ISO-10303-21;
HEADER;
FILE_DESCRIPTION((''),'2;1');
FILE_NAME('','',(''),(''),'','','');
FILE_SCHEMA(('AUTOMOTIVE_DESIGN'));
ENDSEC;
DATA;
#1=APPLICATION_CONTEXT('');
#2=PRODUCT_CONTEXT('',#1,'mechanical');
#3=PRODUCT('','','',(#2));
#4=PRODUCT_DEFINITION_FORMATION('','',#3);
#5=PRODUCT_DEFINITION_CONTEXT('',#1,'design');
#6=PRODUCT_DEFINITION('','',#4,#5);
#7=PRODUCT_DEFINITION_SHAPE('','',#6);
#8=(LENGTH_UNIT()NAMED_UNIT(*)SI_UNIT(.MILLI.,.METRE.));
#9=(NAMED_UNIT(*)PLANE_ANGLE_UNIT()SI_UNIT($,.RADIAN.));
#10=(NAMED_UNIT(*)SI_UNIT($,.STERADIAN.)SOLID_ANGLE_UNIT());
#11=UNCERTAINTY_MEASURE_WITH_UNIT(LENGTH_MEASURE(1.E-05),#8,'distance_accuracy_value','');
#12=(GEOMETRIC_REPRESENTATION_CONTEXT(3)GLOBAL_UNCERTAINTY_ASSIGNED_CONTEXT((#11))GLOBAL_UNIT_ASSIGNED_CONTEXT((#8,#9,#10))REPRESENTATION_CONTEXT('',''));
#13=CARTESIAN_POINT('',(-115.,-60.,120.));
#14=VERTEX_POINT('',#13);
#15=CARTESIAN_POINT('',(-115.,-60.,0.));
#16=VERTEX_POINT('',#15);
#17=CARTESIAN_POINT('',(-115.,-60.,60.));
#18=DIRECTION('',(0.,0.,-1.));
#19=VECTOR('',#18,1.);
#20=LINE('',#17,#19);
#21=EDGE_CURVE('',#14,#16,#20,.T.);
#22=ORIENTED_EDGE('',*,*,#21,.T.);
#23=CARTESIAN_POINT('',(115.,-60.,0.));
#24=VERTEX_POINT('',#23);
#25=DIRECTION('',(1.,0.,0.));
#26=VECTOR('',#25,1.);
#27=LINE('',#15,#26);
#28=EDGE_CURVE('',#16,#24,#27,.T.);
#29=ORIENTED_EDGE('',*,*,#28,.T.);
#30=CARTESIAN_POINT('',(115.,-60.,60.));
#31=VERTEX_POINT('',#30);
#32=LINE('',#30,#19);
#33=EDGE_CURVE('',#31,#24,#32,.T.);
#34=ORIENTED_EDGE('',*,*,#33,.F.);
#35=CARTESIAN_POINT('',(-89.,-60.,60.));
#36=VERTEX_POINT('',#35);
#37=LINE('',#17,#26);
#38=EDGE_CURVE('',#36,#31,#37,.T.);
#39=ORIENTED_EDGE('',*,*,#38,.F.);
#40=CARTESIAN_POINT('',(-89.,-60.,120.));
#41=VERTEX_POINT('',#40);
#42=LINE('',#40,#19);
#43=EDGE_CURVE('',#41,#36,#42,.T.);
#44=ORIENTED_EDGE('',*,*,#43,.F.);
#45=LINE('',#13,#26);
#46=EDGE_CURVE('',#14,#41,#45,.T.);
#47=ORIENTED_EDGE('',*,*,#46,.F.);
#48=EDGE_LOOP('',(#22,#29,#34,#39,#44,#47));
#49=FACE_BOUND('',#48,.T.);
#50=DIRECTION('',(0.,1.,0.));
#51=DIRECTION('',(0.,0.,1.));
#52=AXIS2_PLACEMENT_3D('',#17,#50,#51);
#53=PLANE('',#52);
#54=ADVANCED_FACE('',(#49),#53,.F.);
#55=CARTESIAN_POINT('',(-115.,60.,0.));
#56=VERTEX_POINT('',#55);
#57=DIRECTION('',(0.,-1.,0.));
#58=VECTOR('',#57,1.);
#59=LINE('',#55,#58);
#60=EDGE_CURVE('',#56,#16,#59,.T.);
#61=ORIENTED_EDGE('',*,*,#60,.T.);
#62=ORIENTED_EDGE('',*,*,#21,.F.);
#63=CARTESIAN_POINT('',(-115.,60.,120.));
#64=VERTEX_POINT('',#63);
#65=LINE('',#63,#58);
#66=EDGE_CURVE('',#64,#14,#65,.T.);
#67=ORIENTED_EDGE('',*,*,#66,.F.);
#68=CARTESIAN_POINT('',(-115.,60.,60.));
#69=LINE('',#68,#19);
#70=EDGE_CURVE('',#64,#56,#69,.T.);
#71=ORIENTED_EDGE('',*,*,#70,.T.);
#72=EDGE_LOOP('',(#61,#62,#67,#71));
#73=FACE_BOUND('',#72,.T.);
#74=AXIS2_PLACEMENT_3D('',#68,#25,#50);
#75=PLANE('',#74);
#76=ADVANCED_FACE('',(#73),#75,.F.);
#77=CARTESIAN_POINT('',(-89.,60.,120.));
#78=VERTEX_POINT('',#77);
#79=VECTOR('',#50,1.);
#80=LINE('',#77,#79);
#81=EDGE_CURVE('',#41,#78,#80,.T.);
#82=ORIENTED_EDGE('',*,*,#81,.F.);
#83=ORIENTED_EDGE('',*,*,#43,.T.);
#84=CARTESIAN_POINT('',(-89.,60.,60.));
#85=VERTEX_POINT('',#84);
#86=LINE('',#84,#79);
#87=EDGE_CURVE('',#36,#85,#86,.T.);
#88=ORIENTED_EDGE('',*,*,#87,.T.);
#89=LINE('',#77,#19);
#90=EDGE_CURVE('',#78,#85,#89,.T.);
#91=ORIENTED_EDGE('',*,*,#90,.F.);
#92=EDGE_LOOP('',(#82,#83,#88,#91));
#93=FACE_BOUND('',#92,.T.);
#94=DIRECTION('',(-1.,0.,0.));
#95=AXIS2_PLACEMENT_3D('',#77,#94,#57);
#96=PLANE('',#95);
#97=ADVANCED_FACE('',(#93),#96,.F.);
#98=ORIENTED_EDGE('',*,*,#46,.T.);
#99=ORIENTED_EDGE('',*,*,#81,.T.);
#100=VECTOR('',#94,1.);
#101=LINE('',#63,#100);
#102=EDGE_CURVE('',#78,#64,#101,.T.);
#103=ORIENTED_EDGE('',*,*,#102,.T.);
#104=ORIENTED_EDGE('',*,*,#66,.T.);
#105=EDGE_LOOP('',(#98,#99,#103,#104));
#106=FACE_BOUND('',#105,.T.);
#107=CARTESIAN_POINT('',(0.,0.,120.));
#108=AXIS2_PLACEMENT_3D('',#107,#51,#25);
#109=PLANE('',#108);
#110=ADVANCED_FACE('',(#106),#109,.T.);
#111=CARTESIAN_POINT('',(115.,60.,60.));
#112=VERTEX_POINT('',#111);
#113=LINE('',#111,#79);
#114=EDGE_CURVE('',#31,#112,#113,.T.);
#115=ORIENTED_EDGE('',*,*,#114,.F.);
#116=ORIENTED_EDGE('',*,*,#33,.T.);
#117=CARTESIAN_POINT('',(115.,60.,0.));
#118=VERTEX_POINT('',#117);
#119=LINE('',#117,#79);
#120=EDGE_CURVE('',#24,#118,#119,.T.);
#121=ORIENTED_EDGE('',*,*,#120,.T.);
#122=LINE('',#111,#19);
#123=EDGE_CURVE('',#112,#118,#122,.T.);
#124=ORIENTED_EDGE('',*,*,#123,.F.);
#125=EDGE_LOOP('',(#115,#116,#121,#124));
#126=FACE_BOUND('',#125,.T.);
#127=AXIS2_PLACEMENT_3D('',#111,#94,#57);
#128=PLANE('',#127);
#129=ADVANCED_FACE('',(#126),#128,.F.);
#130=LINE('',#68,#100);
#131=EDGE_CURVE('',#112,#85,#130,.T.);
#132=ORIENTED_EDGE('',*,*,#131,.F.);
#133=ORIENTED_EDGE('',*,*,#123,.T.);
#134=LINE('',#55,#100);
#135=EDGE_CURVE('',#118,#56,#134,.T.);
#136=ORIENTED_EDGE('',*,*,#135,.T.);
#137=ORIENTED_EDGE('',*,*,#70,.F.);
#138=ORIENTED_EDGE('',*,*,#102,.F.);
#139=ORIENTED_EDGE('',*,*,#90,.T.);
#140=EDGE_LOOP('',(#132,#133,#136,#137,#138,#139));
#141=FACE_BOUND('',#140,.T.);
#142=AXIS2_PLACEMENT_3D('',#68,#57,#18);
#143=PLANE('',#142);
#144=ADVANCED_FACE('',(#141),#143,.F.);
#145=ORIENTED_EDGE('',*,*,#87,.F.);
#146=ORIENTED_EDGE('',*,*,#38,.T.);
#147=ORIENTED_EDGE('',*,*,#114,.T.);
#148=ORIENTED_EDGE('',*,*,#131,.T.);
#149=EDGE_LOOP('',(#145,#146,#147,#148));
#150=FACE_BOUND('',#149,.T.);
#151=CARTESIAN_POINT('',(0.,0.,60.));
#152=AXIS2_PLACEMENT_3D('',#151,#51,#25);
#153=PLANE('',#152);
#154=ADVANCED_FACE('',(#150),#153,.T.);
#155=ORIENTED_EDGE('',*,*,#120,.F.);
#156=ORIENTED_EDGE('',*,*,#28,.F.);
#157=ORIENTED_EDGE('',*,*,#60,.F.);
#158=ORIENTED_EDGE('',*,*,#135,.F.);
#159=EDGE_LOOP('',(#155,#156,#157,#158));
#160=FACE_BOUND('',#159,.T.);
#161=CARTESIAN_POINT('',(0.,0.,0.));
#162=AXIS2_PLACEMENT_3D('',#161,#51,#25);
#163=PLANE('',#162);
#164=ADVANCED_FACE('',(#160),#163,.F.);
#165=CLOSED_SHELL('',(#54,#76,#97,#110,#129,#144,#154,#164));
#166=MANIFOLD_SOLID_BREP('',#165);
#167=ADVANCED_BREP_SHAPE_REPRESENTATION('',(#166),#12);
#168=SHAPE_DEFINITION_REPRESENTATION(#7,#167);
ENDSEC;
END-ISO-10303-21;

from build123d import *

# Parameters (mm, degrees)
SKETCH_1_W      = 230
SKETCH_1_H      = 120
EXTRUDE_1_DEPTH = 60
SKETCH_2_W      = 26
SKETCH_2_H      = 120
EXTRUDE_2_DEPTH = 60


with BuildPart() as part:
    # 草图1 → 凸台-拉伸1 (new body)
    with BuildSketch(Plane.XY):
        Rectangle(SKETCH_1_W, SKETCH_1_H)
    extrude(amount=EXTRUDE_1_DEPTH)

    # 草图2 → 凸台-拉伸2 (add)
    with BuildSketch(Plane.XY.offset(60)):
        with Locations((-102, 0)):
            Rectangle(SKETCH_2_W, SKETCH_2_H)
    extrude(amount=EXTRUDE_2_DEPTH)


solid = part.part
